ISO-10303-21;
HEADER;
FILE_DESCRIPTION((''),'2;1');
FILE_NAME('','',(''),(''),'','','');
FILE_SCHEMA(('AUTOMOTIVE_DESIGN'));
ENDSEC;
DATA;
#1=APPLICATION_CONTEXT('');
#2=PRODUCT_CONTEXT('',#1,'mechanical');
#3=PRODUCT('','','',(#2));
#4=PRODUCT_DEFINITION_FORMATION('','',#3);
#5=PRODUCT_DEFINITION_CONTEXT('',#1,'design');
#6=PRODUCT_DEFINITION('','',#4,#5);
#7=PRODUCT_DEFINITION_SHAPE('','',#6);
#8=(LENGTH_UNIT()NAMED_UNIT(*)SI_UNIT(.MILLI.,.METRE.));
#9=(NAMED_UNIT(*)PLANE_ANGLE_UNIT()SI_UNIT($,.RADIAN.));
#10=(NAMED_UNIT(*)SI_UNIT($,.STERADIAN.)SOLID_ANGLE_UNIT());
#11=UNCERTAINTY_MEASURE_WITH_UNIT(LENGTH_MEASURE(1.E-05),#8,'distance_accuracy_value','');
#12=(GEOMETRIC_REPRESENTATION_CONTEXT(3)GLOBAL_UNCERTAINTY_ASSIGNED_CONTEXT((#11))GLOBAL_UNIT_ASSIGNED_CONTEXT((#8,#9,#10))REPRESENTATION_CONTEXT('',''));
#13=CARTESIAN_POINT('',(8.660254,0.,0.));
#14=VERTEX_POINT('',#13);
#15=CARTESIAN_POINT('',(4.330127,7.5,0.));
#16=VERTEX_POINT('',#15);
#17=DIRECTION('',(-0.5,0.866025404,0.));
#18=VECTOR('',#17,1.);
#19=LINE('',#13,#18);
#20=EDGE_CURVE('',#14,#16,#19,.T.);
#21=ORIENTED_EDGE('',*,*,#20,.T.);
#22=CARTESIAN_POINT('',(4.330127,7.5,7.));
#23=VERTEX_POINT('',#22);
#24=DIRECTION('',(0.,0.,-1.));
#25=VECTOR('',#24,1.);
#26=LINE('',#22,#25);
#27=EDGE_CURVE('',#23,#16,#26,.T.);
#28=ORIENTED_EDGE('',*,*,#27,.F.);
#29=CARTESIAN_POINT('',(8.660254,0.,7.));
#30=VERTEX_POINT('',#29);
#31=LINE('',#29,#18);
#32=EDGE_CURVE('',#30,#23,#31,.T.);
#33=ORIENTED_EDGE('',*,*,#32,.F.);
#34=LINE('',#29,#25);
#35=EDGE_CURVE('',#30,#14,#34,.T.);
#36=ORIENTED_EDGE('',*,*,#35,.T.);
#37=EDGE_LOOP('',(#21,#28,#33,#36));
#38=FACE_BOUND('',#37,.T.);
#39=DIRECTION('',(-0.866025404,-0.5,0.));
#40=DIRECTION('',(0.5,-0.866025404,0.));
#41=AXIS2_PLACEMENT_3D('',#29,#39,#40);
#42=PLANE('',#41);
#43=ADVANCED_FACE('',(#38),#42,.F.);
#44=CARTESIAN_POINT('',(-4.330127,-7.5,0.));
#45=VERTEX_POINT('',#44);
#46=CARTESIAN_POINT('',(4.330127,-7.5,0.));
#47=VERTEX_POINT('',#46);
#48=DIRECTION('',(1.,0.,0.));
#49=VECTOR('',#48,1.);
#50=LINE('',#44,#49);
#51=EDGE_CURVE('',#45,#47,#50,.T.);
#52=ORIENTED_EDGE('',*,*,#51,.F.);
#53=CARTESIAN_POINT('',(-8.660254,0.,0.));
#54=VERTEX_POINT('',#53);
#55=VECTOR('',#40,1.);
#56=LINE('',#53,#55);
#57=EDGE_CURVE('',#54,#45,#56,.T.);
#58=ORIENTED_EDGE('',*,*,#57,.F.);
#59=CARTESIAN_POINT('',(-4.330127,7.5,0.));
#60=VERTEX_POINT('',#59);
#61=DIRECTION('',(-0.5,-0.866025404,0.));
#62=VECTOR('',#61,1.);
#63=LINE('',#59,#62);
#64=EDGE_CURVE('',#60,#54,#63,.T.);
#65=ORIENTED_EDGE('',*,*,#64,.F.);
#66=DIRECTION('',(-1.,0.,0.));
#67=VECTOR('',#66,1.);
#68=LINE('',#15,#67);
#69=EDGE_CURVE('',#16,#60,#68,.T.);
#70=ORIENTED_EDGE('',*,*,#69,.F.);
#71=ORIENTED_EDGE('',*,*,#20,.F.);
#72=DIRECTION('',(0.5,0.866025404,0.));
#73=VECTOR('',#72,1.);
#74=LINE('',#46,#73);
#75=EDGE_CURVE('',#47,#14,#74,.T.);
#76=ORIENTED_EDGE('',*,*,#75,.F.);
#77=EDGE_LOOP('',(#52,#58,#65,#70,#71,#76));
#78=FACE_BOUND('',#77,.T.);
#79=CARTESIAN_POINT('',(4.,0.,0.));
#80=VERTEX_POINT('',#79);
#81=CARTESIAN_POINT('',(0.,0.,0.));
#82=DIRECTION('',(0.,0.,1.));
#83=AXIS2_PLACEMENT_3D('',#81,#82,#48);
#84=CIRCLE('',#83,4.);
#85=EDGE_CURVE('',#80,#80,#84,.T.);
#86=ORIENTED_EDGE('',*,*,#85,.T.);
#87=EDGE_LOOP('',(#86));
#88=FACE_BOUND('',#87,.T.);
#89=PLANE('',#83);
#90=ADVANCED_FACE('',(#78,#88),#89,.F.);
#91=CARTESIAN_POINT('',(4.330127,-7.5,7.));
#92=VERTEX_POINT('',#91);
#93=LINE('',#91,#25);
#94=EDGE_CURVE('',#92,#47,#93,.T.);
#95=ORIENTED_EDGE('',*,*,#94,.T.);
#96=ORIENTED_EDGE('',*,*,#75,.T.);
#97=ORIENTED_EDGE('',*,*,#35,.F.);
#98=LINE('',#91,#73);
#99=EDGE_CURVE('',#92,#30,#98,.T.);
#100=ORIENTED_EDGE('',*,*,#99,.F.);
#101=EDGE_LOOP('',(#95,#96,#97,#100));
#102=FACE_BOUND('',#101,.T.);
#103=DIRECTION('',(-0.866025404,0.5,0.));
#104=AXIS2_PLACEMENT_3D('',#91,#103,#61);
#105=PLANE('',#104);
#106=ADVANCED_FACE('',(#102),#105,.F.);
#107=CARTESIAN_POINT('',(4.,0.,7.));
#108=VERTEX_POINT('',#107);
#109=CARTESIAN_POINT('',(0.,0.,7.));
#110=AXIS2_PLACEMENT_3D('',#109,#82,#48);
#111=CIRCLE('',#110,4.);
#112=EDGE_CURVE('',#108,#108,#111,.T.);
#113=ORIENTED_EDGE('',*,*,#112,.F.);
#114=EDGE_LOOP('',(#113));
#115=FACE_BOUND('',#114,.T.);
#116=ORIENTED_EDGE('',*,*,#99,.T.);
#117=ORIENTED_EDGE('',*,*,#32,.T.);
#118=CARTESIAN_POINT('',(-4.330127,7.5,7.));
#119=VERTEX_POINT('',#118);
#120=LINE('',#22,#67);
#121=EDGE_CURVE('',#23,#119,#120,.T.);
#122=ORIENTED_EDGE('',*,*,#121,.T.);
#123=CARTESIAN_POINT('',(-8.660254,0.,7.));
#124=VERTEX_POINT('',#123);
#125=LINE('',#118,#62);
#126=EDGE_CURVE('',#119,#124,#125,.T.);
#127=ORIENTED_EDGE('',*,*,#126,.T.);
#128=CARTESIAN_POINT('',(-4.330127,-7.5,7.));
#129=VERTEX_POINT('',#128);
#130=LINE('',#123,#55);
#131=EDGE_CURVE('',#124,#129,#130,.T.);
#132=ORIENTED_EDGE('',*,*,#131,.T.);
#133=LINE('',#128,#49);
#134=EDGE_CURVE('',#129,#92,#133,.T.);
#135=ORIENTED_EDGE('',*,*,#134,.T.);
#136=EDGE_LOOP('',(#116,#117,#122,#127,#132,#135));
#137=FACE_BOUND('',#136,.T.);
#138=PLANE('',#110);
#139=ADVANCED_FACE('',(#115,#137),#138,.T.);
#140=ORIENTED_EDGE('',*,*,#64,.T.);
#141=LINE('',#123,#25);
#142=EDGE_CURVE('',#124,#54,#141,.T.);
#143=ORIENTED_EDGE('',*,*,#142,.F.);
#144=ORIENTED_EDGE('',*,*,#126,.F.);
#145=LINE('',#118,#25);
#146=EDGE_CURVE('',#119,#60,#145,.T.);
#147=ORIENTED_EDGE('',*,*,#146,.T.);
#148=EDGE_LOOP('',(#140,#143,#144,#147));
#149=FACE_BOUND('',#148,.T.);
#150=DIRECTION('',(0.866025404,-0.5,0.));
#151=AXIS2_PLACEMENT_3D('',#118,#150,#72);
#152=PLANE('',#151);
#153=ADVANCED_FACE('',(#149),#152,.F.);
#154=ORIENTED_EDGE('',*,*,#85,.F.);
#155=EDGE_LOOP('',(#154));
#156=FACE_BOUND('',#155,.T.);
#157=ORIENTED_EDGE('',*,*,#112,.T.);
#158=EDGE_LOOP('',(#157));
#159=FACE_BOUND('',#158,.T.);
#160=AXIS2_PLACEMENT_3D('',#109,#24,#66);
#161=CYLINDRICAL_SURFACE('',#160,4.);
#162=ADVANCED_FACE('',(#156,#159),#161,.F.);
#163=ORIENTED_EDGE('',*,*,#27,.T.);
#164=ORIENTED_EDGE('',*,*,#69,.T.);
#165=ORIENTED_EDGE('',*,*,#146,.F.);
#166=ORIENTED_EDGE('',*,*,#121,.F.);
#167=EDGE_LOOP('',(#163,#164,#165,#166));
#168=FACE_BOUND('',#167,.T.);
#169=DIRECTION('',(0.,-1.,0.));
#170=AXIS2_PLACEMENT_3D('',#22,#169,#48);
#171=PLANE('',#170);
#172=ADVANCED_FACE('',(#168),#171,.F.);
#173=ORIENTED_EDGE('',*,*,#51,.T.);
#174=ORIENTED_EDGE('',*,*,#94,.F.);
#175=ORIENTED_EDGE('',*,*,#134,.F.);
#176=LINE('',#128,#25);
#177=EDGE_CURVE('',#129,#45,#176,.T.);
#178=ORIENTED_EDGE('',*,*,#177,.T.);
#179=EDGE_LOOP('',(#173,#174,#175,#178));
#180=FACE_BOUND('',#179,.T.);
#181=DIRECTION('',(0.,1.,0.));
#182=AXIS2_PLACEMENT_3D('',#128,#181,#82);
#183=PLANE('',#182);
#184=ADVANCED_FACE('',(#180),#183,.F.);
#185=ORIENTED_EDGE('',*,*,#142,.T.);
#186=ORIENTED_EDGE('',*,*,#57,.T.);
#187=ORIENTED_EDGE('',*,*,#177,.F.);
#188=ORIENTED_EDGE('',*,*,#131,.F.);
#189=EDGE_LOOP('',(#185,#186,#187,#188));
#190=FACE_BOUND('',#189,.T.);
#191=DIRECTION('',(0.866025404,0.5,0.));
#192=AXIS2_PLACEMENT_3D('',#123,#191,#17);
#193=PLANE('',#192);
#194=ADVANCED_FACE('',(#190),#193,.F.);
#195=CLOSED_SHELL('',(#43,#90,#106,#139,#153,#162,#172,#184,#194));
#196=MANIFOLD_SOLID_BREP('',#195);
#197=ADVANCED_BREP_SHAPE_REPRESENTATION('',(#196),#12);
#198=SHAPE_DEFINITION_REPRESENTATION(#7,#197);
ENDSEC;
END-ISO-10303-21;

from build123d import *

# Parameters (mm, degrees)
CROQUIS1_R              = 4
SALIENTE_EXTRUIR2_DEPTH = 7


with BuildPart() as part:
    # Croquis1 → Saliente-Extruir2 (new body)
    with BuildSketch(Plane.XY):
        Polygon((-4.330127019, -7.5), (4.330127019, -7.5), (8.660254038, 0), (4.330127019, 7.5), (-4.330127019, 7.5), (-8.660254038, 0), align=None)
        Circle(CROQUIS1_R, mode=Mode.SUBTRACT)
    extrude(amount=SALIENTE_EXTRUIR2_DEPTH)


solid = part.part
